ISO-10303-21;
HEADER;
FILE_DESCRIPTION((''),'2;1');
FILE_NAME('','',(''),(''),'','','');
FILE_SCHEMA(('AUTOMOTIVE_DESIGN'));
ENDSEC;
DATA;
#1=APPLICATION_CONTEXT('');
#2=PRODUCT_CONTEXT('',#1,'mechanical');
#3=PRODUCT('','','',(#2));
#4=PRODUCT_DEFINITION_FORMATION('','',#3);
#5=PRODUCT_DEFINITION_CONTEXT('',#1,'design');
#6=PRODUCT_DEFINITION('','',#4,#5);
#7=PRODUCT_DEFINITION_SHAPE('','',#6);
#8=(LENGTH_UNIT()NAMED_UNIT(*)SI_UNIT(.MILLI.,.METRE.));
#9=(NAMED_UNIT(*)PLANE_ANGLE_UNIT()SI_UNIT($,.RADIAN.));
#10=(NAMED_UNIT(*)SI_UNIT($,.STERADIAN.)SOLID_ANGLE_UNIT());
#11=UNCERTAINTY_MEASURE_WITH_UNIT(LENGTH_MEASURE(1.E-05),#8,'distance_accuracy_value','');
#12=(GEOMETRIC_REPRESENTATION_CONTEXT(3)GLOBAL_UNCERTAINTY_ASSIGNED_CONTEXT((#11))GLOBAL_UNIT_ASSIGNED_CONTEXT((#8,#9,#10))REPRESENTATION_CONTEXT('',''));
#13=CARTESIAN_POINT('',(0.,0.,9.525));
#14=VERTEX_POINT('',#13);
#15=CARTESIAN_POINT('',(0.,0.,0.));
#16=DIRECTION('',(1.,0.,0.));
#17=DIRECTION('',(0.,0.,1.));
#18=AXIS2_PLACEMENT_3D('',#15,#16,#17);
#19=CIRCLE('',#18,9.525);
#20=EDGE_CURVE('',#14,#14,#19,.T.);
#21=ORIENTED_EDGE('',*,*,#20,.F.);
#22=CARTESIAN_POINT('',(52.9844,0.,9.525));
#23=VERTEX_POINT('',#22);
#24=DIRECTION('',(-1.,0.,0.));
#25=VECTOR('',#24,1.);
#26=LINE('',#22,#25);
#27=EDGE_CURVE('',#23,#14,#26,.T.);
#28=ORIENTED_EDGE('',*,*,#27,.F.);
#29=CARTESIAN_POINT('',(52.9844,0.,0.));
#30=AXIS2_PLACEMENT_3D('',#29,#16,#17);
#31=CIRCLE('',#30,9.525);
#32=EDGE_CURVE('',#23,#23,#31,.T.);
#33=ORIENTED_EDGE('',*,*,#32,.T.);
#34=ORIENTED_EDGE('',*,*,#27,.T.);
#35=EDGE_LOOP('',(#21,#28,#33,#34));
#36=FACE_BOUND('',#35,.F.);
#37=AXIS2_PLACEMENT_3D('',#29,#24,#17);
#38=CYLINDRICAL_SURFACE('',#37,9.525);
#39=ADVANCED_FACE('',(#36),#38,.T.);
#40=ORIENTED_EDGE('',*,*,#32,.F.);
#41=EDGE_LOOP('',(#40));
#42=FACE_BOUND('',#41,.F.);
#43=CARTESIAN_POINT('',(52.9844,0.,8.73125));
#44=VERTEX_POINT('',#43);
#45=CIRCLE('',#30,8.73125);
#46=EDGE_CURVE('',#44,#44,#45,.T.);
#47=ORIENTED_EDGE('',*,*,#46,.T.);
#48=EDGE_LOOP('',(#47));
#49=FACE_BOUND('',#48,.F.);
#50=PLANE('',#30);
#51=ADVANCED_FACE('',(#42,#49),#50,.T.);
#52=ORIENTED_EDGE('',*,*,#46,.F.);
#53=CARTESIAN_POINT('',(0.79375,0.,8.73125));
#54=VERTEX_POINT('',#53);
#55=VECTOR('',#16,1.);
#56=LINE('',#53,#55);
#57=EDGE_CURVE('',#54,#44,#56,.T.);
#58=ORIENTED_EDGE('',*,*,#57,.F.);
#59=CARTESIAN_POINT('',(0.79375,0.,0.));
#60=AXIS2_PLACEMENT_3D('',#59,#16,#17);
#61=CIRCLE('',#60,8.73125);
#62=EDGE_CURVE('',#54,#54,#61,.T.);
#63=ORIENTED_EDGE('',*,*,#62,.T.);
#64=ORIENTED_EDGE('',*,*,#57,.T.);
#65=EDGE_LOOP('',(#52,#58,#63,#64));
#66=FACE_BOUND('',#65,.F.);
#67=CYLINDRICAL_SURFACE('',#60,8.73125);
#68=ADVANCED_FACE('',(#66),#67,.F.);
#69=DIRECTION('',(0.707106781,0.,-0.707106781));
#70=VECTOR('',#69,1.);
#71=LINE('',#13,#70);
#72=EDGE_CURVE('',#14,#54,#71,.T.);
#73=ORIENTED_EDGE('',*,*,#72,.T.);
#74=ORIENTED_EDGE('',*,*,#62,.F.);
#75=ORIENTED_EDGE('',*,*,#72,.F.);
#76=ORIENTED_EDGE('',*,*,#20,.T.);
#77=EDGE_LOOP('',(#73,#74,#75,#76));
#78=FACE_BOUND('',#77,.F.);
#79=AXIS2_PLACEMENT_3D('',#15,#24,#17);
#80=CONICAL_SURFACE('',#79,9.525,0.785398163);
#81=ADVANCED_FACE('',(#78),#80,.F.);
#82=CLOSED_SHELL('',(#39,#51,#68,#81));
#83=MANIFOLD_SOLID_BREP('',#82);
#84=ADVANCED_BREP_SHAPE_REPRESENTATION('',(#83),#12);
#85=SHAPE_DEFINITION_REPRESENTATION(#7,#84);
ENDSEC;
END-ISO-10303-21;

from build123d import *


with BuildPart() as f1:
    # F0 (on Front) → F1 (revolve)
    with BuildSketch(Plane.XZ):
        Polygon((0, 9.525), (0.79375, 8.73125), (52.9844, 8.73125), (52.9844, 9.525), align=None)
    revolve(axis=Axis((27.076887, 0, 0), (1, 0, 0)))


solid = f1.part
